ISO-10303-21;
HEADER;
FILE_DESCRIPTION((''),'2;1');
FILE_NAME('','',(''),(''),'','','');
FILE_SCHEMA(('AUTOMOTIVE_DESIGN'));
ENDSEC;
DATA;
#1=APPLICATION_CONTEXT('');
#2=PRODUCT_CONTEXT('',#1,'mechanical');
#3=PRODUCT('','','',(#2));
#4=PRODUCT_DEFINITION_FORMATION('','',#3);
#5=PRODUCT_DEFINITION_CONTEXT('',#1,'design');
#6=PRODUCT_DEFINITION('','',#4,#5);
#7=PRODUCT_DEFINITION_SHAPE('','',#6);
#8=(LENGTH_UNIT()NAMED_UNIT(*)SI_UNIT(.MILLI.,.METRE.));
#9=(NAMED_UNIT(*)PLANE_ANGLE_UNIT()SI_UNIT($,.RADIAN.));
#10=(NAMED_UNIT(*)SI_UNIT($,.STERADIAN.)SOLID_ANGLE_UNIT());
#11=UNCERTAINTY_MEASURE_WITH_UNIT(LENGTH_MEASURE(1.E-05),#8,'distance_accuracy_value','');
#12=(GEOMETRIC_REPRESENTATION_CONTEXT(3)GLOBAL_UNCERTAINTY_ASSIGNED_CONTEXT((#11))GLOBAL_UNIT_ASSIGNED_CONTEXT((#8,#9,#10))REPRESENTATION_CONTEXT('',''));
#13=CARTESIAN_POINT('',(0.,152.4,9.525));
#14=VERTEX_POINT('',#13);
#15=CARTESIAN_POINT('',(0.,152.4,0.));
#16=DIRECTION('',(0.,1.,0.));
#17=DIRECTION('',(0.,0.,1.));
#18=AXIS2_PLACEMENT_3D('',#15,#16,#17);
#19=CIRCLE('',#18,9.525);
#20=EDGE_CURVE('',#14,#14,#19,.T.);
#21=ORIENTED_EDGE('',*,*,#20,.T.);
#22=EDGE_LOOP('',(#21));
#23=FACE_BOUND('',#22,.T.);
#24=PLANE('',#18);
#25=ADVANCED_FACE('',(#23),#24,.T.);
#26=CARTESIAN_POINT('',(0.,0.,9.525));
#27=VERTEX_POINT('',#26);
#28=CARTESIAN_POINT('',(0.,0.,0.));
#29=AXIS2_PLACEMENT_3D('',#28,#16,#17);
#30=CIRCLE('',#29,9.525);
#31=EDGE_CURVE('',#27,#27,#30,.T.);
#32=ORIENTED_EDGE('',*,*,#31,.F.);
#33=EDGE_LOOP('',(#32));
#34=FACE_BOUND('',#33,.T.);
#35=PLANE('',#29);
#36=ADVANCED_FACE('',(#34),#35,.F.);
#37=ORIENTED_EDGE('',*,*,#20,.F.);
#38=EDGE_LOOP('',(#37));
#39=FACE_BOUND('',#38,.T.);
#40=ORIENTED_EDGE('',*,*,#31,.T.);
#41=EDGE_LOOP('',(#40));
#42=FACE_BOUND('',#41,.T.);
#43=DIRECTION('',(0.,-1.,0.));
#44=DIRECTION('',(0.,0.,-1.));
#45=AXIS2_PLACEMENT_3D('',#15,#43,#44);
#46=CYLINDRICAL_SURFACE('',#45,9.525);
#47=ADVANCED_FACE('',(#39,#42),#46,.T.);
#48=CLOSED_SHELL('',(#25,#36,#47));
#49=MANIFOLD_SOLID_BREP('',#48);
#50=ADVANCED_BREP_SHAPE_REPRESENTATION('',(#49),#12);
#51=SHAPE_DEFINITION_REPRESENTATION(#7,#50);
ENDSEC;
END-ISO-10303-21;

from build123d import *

# Parameters (mm, degrees)
SKETCH1_R           = 9.525
BOSS_EXTRUDE1_DEPTH = 152.4


with BuildPart() as part:
    # Sketch1 → Boss-Extrude1 (new body)
    with BuildSketch(Plane(origin=(0, 0, 0), x_dir=(1, 0, 0), z_dir=(0, 1, 0))):
        Circle(SKETCH1_R)
    extrude(amount=BOSS_EXTRUDE1_DEPTH)


solid = part.part
